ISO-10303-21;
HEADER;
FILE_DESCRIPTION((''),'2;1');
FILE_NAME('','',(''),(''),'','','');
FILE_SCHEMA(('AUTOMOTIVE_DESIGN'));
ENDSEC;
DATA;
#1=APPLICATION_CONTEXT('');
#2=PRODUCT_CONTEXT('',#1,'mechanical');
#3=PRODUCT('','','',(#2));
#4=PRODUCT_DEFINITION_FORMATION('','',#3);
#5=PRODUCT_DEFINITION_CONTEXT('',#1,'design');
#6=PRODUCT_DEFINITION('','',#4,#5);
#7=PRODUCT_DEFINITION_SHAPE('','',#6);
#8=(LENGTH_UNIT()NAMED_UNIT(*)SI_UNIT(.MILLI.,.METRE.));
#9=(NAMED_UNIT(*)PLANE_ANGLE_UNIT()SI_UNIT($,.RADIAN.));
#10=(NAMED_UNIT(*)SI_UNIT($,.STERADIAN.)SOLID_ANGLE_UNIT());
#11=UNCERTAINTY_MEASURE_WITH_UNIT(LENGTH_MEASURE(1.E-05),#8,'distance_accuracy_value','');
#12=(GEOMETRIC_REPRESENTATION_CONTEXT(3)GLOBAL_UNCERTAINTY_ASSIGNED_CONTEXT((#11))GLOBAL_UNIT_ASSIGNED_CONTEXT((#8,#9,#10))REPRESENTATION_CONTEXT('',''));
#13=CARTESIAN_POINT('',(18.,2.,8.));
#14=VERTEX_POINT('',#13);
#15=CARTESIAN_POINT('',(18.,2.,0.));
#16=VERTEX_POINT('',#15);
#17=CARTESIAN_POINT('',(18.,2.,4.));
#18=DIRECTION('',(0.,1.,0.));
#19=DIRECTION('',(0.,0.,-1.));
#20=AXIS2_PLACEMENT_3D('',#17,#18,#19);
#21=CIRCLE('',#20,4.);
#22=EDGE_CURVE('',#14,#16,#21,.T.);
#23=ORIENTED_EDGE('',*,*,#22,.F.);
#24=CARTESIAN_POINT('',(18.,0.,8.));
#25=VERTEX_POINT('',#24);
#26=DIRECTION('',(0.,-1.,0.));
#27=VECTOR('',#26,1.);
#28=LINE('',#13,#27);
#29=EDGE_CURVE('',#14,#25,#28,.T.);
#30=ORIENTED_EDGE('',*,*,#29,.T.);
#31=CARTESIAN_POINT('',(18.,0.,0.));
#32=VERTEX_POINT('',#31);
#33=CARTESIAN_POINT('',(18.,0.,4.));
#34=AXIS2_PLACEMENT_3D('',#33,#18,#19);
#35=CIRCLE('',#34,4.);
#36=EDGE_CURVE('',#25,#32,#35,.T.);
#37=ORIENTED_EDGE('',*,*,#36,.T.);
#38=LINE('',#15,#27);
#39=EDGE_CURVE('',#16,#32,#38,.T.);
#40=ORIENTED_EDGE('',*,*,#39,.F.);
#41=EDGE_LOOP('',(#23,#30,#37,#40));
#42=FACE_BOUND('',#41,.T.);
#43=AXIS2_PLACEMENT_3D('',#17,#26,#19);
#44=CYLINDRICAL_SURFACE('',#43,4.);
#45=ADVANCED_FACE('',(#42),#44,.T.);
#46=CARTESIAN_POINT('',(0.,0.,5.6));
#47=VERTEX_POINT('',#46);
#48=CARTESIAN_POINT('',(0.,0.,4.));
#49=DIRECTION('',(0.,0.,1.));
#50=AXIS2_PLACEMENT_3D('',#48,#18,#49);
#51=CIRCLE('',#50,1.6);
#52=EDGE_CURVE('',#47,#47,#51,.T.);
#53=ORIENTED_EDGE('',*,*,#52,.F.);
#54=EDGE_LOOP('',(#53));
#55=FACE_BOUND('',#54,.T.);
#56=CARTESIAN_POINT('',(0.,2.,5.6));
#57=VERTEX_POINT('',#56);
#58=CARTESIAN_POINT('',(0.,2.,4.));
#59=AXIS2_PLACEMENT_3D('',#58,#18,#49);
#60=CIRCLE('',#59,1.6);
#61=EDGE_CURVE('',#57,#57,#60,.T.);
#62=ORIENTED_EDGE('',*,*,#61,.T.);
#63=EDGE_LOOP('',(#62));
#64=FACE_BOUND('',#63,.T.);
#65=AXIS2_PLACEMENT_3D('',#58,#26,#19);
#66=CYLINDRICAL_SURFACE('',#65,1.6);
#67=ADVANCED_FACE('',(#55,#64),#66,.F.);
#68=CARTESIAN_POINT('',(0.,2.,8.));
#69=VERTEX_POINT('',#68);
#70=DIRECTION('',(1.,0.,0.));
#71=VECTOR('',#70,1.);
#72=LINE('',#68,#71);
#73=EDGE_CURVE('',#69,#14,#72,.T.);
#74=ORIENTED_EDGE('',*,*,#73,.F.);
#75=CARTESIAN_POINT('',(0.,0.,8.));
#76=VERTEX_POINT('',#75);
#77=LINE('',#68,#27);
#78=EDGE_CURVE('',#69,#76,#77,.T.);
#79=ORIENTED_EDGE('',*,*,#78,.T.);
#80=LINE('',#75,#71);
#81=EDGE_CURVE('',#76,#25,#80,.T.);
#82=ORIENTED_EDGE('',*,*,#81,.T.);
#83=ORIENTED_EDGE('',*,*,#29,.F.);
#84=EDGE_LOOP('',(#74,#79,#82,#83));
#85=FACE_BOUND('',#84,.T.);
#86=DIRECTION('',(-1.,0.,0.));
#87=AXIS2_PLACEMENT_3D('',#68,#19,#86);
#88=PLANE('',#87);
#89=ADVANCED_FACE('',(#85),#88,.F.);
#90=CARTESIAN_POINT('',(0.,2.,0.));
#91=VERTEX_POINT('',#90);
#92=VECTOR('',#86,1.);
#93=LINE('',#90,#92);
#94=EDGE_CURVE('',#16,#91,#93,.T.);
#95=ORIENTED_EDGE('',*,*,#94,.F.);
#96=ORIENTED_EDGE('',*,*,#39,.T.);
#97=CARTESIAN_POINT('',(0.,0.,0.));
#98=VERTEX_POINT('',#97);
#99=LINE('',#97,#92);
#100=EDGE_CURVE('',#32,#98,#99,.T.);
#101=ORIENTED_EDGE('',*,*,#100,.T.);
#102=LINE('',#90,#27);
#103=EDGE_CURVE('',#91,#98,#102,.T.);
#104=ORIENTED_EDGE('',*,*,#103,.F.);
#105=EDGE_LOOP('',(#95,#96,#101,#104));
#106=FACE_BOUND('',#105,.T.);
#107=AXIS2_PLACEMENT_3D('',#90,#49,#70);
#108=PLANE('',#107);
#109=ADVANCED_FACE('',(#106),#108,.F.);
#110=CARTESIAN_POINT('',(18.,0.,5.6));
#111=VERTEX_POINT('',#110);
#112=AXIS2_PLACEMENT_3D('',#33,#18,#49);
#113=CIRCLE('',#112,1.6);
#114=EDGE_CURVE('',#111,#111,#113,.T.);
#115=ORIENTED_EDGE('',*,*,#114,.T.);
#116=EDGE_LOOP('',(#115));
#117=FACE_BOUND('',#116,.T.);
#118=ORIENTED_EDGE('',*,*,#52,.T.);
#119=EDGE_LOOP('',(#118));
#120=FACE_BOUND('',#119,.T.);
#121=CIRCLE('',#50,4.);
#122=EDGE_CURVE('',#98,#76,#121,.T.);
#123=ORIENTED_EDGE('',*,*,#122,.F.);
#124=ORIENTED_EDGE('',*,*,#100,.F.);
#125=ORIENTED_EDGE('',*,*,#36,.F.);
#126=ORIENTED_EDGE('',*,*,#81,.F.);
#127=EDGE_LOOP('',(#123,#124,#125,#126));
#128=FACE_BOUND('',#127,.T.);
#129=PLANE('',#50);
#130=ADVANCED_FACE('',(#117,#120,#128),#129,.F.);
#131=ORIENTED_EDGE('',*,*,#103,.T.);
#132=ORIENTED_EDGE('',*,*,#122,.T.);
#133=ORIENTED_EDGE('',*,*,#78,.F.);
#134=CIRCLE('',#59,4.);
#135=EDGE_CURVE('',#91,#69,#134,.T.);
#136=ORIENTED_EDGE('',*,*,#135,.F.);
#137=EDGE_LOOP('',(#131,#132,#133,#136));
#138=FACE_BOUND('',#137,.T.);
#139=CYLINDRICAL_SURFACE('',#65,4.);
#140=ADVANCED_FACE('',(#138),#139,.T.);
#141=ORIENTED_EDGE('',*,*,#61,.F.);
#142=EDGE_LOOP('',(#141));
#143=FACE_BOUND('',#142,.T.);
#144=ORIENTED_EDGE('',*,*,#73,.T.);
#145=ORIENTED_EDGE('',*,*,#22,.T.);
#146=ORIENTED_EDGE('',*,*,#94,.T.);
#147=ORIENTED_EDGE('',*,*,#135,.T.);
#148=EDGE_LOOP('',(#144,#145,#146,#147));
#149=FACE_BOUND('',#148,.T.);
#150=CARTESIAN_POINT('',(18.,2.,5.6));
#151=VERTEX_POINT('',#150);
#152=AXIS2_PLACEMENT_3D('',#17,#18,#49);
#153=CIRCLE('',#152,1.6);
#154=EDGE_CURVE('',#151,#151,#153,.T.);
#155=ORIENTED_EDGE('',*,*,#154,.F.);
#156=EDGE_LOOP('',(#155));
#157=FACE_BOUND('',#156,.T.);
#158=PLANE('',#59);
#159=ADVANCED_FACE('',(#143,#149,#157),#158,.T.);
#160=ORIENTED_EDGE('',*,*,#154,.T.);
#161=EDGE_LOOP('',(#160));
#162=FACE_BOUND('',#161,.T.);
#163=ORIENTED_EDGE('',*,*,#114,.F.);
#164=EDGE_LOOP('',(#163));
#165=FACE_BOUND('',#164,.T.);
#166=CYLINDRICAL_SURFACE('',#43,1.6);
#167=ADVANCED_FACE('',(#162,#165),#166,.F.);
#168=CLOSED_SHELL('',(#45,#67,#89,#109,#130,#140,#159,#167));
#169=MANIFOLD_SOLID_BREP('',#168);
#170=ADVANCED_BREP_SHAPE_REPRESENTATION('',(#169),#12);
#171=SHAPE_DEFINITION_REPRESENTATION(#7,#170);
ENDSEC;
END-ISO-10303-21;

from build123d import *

# Parameters (mm, degrees)
SKETCH_1_R      = 1.6
EXTRUDE_1_DEPTH = 2


with BuildPart() as part:
    # Эскиз1 → Бобышка-Вытянуть1 (new body)
    with BuildSketch(Plane(origin=(0, 0, 0), x_dir=(1, 0, 0), z_dir=(0, 1, 0))):
        with BuildLine():
            Line((0, 0), (18, 0))
            ThreePointArc((18, 0), (22, -4), (18, -8))
            Line((18, -8), (0, -8))
            ThreePointArc((0, -8), (-4, -4), (0, 0))
        make_face()
        with Locations(Location((0, -4, 0), (0, 0, 270))):
            Circle(SKETCH_1_R, mode=Mode.SUBTRACT)
        with Locations(Location((18, -4, 0), (0, 0, 270))):
            Circle(SKETCH_1_R, mode=Mode.SUBTRACT)
    extrude(amount=EXTRUDE_1_DEPTH)


solid = part.part
